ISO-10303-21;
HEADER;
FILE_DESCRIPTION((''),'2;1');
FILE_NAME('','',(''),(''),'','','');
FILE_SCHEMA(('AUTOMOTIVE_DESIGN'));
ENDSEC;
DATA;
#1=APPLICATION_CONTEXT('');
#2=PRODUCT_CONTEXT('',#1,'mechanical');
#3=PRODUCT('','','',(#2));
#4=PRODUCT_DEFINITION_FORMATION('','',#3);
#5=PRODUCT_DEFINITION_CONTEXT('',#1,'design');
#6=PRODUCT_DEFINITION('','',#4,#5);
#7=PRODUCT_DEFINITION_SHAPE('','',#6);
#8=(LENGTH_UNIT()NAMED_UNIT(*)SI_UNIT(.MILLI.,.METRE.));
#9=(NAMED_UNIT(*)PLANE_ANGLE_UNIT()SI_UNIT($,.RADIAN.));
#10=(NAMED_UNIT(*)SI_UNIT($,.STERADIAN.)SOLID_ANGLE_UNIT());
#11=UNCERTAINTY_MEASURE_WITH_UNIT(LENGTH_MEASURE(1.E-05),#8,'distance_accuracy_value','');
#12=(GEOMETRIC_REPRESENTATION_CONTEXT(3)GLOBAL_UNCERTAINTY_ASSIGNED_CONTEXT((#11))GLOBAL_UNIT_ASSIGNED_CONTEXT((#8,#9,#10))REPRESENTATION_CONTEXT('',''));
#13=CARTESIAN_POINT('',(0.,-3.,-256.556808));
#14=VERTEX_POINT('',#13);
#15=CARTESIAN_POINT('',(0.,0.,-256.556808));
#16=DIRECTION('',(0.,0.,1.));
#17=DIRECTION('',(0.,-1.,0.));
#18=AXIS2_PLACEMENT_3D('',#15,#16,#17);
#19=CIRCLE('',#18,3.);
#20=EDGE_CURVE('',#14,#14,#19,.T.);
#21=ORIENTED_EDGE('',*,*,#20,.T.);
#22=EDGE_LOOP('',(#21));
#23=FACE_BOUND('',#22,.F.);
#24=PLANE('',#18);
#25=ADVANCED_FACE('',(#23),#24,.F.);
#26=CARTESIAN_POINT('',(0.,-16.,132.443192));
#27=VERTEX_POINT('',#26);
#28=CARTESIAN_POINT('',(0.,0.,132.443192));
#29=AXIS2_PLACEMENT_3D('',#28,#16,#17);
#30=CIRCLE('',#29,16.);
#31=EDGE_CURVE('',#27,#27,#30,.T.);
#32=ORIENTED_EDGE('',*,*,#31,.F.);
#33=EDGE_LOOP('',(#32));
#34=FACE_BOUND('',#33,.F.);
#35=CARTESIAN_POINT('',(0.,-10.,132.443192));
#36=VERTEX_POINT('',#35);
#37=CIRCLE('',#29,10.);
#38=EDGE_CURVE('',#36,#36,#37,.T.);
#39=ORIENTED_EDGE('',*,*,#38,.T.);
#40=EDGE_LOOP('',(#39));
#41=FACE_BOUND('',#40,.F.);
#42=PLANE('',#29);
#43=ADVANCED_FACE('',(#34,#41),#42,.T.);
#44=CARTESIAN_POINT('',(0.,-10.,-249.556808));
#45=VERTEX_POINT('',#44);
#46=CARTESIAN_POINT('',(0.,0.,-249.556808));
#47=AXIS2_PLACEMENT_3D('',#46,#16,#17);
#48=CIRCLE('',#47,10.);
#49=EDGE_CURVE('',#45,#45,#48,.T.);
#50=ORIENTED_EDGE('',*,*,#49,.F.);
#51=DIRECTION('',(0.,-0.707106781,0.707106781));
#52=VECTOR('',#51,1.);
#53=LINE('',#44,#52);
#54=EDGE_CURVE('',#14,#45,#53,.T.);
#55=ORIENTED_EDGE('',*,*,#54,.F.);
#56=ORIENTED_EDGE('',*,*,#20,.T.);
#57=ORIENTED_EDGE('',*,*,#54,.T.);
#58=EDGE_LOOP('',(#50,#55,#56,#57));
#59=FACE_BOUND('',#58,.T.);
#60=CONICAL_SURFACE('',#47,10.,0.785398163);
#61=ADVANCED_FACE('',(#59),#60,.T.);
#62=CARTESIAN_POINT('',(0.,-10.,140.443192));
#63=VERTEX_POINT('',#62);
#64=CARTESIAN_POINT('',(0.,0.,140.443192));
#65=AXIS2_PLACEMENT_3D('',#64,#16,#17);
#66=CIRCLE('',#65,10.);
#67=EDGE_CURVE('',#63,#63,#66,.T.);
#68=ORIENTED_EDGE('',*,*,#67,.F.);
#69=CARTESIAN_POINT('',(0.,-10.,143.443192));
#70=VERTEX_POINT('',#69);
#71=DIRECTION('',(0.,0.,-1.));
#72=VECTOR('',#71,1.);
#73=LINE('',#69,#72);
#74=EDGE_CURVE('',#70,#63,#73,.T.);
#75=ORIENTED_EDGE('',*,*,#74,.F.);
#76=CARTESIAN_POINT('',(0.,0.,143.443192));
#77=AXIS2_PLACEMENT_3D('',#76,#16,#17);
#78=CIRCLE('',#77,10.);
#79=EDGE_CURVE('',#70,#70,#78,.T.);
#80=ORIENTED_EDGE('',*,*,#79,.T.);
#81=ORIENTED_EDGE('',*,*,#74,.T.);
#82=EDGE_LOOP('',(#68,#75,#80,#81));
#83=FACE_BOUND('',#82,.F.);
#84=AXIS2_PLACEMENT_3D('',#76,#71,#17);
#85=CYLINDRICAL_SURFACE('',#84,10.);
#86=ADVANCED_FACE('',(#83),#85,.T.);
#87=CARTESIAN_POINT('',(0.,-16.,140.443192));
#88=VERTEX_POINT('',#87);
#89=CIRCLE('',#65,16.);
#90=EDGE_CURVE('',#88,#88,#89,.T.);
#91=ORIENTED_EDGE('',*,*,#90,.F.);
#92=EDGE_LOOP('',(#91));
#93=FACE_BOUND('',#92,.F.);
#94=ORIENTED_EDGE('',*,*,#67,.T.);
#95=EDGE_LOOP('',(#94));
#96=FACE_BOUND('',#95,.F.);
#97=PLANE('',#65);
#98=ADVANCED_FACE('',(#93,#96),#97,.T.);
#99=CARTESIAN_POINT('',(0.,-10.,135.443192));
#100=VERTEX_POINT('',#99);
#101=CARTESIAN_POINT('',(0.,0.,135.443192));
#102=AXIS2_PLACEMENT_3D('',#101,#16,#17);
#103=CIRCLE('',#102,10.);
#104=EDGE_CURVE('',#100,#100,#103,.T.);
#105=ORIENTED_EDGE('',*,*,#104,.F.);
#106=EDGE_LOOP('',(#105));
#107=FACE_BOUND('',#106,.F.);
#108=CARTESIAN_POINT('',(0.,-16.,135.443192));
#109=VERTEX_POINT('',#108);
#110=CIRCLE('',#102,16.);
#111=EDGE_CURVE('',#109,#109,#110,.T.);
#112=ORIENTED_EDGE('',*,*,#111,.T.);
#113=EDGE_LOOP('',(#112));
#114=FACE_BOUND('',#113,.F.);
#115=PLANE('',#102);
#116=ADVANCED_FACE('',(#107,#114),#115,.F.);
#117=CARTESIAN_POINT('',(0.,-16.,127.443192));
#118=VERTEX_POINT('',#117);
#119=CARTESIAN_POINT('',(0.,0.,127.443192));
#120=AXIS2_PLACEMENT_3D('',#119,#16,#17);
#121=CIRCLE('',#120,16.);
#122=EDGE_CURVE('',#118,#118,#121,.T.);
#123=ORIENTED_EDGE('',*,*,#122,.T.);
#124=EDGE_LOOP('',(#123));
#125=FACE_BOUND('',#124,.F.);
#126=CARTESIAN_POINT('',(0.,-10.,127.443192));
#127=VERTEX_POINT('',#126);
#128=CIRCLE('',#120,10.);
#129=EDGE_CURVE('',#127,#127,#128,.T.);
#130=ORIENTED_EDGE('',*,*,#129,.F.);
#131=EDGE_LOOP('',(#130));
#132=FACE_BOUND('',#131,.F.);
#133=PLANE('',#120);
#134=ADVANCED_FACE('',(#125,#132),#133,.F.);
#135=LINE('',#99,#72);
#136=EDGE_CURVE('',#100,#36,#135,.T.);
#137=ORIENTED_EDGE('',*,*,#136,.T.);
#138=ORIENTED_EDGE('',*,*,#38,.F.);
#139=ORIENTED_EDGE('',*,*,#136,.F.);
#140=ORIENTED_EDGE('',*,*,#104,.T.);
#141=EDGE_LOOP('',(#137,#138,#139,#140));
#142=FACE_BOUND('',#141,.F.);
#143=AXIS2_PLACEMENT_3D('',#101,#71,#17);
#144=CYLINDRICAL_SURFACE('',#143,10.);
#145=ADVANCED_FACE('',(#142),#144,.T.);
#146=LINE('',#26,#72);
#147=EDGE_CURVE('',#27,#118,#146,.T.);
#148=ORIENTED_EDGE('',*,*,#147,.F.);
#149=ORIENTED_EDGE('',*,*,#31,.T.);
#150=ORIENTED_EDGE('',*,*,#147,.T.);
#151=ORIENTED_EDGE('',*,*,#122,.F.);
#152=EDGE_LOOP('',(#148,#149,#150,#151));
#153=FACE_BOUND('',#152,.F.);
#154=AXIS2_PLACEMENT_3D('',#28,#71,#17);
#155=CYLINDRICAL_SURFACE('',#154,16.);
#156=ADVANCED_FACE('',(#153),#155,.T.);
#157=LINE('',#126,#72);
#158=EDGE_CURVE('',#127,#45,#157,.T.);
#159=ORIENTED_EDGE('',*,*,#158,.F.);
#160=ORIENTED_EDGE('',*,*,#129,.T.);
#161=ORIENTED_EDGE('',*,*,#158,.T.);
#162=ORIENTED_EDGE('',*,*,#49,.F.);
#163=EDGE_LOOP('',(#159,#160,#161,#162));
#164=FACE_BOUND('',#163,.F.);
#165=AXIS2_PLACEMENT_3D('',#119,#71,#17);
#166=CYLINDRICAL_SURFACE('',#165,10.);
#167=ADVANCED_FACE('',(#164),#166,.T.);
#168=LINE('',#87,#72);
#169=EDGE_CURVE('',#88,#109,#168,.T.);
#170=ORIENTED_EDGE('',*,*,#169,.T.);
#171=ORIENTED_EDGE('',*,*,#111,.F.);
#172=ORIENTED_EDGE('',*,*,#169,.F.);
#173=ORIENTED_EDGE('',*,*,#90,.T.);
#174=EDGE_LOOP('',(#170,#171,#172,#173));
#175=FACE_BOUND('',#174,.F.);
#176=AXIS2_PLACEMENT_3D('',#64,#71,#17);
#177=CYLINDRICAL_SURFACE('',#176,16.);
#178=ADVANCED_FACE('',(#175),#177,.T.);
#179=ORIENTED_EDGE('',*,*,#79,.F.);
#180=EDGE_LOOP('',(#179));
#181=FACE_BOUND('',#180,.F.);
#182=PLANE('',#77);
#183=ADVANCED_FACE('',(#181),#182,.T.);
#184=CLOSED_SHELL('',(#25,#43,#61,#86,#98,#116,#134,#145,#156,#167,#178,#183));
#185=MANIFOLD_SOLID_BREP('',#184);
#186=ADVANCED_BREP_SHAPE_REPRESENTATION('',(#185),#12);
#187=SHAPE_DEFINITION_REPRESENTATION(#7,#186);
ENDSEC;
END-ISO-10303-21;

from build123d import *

# Parameters (mm, degrees)
F2_SIZE = 7


with BuildPart() as f1:
    # F0 (on Right) → F1 (revolve)
    with BuildSketch(Plane.YZ):
        Polygon((-10, -256.556808), (0, -256.556808), (0, 143.443192), (-10, 143.443192), (-10, 140.443192), (-16, 140.443192), (-16, 135.443192), (-10, 135.443192), (-10, 132.443192), (-16, 132.443192), (-16, 127.443192), (-10, 127.443192), align=None)
    revolve(axis=Axis((0, 0, -56.556808), (0, 0, 1)))

    # F2
    f2_edges = [f1.edges().sort_by_distance(p)[0] for p in [
        (0, 10, -256.556808),
    ]]
    chamfer(f2_edges, length=F2_SIZE)


solid = f1.part
